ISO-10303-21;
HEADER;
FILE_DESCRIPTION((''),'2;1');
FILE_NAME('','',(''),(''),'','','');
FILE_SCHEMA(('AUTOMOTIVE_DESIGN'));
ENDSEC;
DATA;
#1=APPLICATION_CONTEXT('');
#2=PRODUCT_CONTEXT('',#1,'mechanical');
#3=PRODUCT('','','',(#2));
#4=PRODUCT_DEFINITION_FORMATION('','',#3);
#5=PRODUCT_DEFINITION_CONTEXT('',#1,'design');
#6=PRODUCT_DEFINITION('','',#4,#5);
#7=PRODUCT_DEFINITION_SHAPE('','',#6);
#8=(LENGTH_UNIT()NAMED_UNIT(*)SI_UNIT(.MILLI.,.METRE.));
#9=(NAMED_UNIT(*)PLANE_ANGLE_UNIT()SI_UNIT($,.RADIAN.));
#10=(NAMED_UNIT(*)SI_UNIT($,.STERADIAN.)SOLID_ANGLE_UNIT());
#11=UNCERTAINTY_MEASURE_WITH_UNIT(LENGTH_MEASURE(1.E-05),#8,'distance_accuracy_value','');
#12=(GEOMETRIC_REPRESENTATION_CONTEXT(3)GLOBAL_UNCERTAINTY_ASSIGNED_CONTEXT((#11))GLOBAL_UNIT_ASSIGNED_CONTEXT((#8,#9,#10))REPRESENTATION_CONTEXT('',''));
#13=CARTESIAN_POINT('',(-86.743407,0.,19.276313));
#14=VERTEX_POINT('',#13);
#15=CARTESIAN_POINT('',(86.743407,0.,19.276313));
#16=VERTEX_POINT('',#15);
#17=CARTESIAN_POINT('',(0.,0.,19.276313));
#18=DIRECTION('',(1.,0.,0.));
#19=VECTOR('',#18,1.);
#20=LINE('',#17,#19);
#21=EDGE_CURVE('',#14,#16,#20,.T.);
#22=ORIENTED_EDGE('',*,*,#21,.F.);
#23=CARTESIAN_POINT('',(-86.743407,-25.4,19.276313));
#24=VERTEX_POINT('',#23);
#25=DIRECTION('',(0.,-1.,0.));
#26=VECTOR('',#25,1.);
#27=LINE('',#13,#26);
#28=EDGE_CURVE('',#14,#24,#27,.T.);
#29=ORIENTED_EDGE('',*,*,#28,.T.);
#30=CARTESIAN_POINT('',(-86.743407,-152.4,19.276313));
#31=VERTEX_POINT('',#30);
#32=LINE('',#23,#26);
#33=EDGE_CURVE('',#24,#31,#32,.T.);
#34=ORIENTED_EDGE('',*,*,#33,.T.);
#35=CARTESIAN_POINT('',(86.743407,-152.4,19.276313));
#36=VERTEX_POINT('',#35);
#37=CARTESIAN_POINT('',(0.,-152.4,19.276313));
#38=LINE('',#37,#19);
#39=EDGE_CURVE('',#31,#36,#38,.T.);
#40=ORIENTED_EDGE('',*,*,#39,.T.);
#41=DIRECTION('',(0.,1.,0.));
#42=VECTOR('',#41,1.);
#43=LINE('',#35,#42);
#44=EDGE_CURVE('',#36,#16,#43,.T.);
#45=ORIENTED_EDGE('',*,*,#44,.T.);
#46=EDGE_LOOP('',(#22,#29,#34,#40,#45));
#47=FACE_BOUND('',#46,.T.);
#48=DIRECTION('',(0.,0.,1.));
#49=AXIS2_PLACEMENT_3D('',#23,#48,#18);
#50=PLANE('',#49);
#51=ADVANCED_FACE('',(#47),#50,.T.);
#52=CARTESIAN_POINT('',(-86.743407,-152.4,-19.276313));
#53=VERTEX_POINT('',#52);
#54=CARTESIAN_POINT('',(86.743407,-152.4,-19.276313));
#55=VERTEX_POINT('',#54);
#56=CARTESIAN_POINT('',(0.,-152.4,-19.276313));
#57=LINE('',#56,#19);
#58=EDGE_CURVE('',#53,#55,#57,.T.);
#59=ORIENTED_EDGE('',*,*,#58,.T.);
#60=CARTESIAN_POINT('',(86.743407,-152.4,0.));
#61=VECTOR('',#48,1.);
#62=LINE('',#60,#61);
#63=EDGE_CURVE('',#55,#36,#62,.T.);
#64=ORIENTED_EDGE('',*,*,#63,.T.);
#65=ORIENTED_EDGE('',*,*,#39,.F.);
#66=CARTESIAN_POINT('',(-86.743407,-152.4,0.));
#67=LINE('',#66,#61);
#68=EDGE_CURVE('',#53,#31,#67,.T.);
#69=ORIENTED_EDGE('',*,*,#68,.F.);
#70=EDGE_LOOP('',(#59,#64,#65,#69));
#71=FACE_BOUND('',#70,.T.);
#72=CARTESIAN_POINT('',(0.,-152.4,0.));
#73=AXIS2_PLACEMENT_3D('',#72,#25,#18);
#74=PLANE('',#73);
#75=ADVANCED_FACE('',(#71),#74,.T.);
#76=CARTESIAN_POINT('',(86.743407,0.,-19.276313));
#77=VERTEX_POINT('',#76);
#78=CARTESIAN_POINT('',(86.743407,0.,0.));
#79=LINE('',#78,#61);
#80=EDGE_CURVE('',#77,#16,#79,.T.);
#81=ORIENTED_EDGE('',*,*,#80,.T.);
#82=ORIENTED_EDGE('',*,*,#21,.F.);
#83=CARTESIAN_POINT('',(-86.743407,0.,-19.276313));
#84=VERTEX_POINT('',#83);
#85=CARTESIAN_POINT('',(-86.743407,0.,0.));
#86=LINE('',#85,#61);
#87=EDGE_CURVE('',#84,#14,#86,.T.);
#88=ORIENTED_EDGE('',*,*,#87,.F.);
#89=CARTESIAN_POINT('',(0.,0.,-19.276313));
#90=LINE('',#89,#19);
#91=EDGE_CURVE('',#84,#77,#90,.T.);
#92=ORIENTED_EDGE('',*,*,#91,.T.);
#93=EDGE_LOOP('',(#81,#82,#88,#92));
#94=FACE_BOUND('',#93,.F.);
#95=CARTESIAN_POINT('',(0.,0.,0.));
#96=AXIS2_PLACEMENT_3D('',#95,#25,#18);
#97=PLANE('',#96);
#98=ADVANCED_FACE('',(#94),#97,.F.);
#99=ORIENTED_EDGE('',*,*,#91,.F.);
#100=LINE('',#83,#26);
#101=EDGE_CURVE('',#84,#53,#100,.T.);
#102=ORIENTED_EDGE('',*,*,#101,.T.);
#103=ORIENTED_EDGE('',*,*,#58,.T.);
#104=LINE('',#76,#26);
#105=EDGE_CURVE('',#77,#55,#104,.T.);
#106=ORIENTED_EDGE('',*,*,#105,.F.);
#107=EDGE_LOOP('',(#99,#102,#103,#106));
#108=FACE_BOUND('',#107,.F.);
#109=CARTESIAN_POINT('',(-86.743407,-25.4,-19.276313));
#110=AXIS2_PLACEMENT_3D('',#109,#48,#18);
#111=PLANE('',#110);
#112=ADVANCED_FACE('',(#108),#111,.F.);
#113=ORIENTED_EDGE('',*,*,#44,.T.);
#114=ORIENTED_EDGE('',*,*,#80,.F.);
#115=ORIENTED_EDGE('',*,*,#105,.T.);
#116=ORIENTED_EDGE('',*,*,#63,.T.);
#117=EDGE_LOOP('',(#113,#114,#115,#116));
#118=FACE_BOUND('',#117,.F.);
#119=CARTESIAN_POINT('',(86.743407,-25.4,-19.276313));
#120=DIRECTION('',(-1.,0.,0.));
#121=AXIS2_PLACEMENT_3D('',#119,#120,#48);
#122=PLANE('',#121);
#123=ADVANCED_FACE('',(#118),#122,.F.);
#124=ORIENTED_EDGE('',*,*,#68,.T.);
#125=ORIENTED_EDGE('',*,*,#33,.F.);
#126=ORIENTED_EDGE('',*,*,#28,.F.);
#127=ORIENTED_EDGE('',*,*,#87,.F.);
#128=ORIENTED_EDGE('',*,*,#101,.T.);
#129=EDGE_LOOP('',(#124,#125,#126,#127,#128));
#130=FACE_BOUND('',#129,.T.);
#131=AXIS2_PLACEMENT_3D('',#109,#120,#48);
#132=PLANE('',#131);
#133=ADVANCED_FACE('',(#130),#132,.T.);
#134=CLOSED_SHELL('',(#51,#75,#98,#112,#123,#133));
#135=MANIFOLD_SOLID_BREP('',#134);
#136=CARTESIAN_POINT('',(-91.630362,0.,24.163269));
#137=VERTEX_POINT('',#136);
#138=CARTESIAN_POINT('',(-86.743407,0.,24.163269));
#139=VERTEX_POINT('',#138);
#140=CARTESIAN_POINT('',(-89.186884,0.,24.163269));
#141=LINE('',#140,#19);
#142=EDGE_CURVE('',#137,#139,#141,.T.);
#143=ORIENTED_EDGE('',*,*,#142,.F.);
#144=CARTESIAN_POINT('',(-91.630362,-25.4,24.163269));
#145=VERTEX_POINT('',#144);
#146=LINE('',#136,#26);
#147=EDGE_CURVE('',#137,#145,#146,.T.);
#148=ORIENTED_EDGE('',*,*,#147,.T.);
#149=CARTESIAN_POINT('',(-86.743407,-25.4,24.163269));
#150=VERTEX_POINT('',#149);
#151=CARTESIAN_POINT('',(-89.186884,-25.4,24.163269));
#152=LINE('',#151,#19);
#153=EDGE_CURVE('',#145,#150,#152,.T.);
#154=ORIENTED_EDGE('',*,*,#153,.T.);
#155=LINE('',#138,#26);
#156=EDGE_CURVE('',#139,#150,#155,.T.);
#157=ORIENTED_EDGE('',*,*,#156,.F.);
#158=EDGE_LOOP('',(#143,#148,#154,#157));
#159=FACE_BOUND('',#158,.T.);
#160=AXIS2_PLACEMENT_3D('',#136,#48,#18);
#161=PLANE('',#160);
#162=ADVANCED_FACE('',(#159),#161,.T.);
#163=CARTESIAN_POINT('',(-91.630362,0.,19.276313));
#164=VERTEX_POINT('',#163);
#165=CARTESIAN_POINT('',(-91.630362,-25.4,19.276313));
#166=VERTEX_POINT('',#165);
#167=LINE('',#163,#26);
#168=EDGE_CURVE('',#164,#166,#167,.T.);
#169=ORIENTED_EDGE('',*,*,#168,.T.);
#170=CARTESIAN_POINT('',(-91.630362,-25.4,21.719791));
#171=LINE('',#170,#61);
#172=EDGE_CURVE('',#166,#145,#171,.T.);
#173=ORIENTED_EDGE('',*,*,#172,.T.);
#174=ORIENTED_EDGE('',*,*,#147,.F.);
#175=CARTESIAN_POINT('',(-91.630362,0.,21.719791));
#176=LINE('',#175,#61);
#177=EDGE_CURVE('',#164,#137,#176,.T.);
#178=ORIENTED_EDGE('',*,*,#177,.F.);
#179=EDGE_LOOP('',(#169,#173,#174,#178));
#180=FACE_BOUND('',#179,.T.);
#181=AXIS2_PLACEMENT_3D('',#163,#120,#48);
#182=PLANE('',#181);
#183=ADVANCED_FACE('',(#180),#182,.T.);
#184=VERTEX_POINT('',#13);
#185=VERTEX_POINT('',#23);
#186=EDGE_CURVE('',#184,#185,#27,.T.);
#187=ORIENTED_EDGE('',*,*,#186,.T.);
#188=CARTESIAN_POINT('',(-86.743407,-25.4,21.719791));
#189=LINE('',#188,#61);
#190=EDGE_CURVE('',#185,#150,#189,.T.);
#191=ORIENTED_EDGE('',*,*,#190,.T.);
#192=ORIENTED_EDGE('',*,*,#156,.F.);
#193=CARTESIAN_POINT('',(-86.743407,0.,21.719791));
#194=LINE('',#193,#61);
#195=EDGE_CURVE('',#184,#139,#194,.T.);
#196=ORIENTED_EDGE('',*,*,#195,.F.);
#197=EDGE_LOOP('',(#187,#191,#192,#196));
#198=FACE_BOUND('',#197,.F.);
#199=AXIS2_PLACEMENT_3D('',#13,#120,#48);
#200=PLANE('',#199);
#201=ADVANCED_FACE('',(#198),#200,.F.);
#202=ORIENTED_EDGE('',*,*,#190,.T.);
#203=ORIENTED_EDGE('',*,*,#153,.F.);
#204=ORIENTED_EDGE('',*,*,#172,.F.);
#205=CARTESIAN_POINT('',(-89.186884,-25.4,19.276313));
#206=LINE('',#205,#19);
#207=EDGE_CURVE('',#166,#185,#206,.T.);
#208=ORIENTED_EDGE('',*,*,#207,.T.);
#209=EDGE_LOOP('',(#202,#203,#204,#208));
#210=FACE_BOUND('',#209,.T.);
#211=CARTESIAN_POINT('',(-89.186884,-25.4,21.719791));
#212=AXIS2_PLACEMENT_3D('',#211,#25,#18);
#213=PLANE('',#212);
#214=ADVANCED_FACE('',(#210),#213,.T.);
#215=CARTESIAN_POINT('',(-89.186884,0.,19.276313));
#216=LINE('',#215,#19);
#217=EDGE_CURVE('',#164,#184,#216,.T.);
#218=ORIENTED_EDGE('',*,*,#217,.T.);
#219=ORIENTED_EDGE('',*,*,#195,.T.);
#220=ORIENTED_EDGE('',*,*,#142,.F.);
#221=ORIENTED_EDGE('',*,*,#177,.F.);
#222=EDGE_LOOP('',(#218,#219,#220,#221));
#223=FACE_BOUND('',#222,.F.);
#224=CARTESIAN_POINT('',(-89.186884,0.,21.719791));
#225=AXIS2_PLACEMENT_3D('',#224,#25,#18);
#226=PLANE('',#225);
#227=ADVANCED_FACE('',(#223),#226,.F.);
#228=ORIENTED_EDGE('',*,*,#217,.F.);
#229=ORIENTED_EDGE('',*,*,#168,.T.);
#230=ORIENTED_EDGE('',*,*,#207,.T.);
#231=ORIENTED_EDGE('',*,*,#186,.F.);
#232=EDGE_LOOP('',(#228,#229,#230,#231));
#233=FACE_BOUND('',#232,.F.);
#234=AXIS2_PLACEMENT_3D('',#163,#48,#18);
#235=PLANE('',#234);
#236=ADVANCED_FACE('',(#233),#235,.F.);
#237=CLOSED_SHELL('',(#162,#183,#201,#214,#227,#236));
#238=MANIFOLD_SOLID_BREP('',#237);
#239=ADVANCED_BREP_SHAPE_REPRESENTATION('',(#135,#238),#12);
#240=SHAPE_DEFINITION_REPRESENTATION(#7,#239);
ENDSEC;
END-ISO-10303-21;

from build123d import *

# Parameters (mm, degrees)
F0_W     = 4.8869550228
F0_H     = 4.8869550228
F1_DEPTH = 25.4
F0_W_2   = 173.4868139029
F0_H_2   = 38.5526269674
F2_DEPTH = 127


with BuildPart() as f1:
    # F0 (on Front) → F1 (new body)
    with BuildSketch(Plane.XZ):
        with Locations((-89.1868844628, 21.7197909951)):
            Rectangle(F0_W, F0_H)
    extrude(amount=F1_DEPTH)



with BuildPart() as f1b:
    # F0 (on Front) → F1, piece 2 (new body)
    with BuildSketch(Plane.XZ):
        Rectangle(F0_W_2, F0_H_2)
    extrude(amount=F1_DEPTH)


with BuildPart() as f1_1:
    add(f1.part)
    # F2 (add): a face of the model
    f2_faces = [f1b.part.faces().sort_by_distance(p)[0] for p in [
        (0, -25.4, 0),
    ]]

    add(f1b.part)  # F2 merges F1b
    extrude(f2_faces, amount=F2_DEPTH)


solid = f1_1.part
